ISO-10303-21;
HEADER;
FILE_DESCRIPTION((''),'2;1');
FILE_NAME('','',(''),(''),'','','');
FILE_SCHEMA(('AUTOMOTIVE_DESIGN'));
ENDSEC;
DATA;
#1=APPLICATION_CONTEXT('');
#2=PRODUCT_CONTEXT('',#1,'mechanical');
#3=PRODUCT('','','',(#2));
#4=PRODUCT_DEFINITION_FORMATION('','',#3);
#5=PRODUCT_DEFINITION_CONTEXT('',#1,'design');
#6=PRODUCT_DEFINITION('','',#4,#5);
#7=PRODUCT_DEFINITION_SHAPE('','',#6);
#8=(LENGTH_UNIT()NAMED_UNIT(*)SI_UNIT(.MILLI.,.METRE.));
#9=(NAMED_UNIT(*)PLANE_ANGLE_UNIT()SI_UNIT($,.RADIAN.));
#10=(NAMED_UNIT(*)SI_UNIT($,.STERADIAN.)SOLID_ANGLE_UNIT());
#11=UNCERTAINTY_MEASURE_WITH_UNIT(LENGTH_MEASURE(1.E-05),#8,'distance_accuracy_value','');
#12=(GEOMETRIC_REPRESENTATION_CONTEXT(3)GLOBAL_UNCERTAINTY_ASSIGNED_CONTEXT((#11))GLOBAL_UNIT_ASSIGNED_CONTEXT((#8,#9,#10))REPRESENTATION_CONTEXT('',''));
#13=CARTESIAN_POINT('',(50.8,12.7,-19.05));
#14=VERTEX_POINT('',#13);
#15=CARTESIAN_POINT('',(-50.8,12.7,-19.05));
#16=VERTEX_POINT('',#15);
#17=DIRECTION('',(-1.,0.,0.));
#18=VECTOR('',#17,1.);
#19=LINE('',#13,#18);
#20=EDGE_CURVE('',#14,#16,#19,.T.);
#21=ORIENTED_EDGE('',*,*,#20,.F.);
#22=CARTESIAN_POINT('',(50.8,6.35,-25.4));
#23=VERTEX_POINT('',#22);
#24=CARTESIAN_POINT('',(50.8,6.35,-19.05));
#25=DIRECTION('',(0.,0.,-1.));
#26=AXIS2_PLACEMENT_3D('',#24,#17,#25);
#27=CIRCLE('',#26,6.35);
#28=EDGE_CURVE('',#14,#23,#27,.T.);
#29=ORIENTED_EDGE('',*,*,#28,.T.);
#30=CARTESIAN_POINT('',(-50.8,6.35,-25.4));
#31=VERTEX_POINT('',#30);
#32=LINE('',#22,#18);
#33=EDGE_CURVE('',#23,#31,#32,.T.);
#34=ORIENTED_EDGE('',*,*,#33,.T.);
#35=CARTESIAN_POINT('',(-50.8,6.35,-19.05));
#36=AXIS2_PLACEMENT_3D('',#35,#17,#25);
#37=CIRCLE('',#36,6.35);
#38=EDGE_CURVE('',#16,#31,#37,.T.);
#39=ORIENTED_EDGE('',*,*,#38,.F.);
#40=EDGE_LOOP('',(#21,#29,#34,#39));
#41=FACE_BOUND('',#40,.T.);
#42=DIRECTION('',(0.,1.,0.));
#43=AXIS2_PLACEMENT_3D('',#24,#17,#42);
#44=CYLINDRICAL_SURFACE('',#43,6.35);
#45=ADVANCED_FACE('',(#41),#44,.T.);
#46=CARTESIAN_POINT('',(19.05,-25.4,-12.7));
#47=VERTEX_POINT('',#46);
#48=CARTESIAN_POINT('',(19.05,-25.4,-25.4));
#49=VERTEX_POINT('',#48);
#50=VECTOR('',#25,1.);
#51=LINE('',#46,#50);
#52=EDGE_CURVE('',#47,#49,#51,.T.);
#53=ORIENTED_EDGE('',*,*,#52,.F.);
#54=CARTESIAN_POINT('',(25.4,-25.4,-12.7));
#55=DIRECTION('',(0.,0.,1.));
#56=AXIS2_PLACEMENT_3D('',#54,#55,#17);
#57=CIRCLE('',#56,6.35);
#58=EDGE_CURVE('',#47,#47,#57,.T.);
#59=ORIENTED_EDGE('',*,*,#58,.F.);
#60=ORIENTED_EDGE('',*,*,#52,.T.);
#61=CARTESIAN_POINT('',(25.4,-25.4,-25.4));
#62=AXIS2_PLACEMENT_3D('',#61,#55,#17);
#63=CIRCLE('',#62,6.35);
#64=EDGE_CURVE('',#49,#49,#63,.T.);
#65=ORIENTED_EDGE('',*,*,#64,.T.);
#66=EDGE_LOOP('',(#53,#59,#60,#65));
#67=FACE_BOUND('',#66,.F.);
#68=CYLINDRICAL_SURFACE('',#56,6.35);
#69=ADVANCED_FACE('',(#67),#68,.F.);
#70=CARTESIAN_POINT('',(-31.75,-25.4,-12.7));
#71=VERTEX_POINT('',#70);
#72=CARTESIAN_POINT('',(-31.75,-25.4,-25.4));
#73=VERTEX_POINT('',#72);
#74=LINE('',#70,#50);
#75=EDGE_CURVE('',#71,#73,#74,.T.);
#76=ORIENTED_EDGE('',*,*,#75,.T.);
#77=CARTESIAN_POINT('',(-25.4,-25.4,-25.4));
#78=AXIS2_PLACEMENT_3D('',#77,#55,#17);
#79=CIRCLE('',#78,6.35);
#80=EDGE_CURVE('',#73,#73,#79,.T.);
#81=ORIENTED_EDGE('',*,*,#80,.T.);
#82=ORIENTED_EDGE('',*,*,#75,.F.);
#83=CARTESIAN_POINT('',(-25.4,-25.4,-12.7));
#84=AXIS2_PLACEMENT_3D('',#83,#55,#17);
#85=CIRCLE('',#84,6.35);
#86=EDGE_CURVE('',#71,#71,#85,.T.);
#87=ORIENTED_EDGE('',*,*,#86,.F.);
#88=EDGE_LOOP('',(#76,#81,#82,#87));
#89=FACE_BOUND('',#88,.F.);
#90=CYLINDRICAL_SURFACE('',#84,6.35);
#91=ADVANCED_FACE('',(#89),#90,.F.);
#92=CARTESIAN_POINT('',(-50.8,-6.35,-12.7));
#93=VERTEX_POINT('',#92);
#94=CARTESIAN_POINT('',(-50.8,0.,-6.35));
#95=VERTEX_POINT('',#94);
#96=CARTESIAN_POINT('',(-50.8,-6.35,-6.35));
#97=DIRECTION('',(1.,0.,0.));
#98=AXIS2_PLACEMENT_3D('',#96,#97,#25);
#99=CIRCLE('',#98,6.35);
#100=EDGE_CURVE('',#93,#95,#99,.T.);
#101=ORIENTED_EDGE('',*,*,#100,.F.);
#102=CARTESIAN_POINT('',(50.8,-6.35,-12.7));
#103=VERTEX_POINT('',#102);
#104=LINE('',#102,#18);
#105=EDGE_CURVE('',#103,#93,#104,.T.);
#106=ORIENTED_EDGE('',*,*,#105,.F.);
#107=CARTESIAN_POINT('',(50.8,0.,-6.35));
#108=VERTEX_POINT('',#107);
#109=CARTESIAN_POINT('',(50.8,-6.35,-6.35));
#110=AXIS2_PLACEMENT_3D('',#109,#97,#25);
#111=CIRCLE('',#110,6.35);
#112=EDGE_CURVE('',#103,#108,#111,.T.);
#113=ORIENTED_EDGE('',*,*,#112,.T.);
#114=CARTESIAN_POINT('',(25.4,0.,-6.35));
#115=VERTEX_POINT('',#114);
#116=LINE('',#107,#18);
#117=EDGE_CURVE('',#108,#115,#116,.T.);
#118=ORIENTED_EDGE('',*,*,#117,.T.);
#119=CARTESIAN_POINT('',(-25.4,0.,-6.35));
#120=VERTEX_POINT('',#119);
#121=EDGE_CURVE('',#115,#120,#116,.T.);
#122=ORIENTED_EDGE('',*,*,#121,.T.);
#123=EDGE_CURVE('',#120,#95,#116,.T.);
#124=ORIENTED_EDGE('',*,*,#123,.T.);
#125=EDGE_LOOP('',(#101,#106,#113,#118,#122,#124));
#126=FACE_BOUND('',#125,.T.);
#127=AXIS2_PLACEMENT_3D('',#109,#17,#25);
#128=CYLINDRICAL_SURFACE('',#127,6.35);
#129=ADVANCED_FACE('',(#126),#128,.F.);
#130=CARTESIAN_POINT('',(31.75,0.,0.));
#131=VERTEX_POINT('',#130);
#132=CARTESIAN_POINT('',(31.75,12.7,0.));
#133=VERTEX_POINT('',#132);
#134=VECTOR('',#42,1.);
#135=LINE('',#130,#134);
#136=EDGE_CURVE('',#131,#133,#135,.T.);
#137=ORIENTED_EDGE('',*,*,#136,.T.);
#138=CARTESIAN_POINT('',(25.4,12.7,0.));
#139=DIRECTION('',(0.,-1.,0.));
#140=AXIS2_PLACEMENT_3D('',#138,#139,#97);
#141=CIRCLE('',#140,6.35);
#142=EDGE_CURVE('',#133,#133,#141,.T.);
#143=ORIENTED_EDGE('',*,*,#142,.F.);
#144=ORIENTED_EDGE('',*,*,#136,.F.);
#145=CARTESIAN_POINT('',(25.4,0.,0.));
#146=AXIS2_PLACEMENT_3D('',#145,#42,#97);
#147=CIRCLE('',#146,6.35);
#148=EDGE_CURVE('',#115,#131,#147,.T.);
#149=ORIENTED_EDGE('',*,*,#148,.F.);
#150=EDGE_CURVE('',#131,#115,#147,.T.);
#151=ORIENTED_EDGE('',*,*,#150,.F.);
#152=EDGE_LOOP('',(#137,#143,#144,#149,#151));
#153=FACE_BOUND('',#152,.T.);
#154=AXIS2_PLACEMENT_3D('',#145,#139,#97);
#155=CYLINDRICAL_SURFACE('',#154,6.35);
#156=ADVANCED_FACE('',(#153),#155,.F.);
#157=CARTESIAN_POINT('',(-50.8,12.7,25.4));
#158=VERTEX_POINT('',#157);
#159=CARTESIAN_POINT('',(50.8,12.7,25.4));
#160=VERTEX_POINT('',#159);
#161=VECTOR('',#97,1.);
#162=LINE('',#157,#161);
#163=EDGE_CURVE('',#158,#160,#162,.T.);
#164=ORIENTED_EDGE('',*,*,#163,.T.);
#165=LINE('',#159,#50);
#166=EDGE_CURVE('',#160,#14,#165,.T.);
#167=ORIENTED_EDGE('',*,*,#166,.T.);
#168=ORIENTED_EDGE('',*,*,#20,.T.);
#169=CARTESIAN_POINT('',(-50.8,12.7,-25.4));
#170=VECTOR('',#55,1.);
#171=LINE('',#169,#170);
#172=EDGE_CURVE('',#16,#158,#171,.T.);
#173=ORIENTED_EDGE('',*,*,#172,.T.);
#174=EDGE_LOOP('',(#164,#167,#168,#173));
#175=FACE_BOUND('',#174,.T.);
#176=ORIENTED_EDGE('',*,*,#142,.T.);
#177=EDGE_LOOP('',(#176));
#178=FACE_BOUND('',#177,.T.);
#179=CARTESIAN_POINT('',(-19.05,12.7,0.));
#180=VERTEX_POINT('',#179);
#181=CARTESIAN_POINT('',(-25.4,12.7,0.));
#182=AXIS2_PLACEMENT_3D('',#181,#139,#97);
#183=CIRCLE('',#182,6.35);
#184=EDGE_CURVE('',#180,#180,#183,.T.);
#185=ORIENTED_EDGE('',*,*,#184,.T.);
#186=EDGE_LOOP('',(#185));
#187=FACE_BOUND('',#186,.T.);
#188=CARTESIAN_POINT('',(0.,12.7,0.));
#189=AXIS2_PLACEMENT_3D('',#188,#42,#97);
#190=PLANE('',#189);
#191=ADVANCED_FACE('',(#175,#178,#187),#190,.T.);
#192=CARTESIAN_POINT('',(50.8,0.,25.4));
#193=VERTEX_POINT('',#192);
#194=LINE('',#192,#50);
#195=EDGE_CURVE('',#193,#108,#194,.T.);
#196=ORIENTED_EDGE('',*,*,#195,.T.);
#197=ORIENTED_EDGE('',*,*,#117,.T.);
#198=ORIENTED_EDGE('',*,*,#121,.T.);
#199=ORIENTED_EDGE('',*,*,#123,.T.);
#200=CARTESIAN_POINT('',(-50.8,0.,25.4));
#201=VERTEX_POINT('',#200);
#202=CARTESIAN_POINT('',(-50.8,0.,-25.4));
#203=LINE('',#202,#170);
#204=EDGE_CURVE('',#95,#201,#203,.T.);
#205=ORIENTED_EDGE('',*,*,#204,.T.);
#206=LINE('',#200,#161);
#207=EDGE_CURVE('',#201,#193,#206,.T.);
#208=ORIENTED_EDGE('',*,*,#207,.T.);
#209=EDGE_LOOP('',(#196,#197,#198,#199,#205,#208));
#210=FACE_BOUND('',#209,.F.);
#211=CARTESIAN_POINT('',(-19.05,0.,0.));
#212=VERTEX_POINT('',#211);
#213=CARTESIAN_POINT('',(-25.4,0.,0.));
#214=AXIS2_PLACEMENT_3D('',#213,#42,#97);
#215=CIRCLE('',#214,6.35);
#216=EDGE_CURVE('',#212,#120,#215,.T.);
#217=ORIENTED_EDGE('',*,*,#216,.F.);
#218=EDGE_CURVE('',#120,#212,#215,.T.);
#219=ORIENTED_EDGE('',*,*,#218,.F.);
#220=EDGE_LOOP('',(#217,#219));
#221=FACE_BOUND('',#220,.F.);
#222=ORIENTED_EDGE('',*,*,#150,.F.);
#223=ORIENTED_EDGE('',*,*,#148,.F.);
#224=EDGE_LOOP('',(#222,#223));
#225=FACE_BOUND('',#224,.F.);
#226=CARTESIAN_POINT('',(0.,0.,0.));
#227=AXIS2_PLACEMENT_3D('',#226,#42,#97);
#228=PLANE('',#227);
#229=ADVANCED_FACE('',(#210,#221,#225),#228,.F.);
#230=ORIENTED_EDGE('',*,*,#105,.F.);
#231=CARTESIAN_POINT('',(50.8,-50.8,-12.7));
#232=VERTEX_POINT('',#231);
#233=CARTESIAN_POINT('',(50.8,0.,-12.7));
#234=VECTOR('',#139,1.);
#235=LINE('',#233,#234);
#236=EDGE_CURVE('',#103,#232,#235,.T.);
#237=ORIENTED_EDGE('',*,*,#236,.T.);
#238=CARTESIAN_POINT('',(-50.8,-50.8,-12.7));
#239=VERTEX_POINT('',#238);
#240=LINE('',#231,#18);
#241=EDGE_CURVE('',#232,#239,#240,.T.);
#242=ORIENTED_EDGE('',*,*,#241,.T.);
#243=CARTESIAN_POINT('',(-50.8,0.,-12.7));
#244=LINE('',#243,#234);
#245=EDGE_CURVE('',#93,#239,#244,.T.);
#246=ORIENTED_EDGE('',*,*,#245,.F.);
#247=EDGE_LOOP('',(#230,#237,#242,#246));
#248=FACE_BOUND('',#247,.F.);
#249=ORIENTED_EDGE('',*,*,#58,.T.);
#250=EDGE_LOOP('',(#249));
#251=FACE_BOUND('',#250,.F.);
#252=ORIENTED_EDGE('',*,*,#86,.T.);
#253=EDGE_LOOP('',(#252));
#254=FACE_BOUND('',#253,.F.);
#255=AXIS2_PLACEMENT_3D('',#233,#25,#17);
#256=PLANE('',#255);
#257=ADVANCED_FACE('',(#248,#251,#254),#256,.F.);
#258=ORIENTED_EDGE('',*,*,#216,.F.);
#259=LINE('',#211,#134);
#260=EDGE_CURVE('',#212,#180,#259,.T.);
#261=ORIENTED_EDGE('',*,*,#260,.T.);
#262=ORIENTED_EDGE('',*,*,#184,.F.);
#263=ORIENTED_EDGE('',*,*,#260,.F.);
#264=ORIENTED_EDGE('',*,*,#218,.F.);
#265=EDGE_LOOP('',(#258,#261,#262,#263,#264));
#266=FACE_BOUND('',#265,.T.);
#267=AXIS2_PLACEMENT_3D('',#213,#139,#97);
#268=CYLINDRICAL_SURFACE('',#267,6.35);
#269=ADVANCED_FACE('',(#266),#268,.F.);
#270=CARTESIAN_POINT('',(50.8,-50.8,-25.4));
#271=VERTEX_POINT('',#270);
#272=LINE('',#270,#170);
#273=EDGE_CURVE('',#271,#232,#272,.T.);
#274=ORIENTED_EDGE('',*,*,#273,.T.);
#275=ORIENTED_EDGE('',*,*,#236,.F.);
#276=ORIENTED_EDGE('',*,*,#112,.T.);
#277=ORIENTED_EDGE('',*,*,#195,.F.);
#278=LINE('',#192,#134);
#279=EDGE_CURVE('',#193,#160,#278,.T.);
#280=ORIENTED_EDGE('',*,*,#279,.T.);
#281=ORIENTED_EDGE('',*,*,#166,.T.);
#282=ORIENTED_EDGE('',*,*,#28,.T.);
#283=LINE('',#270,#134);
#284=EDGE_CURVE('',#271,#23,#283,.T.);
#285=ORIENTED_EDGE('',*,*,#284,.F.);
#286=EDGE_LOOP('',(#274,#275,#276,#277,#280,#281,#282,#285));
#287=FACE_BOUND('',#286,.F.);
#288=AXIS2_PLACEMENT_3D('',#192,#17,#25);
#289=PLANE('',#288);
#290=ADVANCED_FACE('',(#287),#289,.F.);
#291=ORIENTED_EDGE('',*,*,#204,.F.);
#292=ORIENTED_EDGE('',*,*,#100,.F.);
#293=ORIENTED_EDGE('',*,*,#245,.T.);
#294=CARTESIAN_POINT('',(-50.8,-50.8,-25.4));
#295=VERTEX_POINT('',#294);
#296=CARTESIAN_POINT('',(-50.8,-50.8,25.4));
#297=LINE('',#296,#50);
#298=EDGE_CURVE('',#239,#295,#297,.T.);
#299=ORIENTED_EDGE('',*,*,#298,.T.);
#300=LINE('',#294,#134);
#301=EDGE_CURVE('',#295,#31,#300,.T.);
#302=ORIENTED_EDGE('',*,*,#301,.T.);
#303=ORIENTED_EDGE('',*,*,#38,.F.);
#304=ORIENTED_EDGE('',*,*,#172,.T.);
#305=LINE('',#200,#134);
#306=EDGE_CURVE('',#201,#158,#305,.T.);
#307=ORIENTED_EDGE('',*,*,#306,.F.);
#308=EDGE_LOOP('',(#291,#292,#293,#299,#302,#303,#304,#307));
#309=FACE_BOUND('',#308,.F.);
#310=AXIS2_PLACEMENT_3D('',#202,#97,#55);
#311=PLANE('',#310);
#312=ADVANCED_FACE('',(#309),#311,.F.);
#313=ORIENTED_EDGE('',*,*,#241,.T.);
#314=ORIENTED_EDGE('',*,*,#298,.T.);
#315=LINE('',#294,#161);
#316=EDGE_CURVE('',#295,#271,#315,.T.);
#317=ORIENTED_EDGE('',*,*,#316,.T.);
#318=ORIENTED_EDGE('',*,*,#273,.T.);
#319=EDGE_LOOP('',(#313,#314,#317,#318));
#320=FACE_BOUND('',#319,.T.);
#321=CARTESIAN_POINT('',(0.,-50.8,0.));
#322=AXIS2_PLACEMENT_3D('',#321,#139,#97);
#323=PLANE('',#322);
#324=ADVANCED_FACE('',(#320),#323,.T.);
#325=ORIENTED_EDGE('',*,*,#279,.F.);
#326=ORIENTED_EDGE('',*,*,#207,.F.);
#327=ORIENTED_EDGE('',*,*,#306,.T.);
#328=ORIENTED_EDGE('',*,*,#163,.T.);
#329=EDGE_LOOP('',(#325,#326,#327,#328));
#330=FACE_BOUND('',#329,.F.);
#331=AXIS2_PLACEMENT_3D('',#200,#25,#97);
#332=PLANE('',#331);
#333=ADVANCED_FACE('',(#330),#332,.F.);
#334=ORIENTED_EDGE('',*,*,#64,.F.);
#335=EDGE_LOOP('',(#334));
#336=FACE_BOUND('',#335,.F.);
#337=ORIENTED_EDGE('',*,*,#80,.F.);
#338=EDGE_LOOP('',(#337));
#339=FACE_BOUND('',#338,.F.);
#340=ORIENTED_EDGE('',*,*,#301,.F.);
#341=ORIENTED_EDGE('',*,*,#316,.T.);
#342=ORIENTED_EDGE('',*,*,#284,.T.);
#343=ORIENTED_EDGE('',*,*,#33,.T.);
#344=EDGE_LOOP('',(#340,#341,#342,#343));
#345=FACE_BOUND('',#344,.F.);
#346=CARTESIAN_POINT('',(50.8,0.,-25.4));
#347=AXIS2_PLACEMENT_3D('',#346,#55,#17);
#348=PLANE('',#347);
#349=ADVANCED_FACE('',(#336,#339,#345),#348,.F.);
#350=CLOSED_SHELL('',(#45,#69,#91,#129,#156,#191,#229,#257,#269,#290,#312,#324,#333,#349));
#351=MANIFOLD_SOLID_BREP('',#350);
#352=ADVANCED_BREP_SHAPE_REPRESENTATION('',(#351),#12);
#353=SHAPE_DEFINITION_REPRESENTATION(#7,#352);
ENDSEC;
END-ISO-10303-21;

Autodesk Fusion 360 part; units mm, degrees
sketch "Sketch1" plane through (0, 0, 0) normal (0, 1, 0) x (1, 0, 0)
  line L0 (50.8, 25.4) -> (-50.8, 25.4)
  line L1 (-50.8, 25.4) -> (-50.8, -25.4)
  line L2 (-50.8, -25.4) -> (50.8, -25.4)
  line L3 (50.8, -25.4) -> (50.8, 25.4)
  line L4 (0, 0) -> (25.4, 0) construction
  line L5 (0, 0) -> (-25.4, 0) construction
  circle A0 centre (-25.4, 0) radius 6.35
  circle A1 centre (25.4, 0) radius 6.35
  dimension "d3" = 101.6
  dimension "d4" = 50.8
  dimension "d5" = 25.4
  dimension "d7" = 12.7
  dimension "d8" = 12.7
extrude "Extrude1" add sketch "Sketch1" along normal blind 12.7 makes body 1
sketch "Sketch2" plane through (0, 0, 0) normal (0, -1, 0) x (1, 0, 0)
  circle A0 centre (-25.4, 0) radius 6.35
  circle A1 centre (25.4, 0) radius 6.35
  line L0 (50.8, -25.4) -> (50.8, 25.4)
  line L1 (50.8, 25.4) -> (-50.8, 25.4)
  line L2 (-50.8, 25.4) -> (-50.8, -25.4)
  line L3 (-50.8, -25.4) -> (50.8, -25.4)
  line L4 (-50.8, -25.4) -> (50.8, -25.4)
  line L5 (50.8, -25.4) -> (50.8, -12.7)
  line L6 (50.8, -12.7) -> (-50.8, -12.7)
  line L7 (-50.8, -12.7) -> (-50.8, -25.4)
  dimension "d11" = 101.6
  dimension "d12" = 12.7
extrude "Extrude2" add sketch "Sketch2" along normal blind 50.8 contours L0 L2 L3 L4 L5 L6 L7 bodies 1
sketch "Sketch3" plane through (0, 0, -12.7) normal (0, 0, 1) x (-1, 0, 0)
  line L0 (-50.8, 0) -> (50.8, 0)
  line L1 (50.8, 0) -> (50.8, 50.8)
  line L2 (50.8, 50.8) -> (-50.8, 50.8)
  line L3 (-50.8, 50.8) -> (-50.8, 0)
  line L4 (0, 0) -> (0, 50.8) construction
  line L5 (0, 25.4) -> (-25.4, 25.4) construction
  line L6 (0, 25.4) -> (25.4, 25.4) construction
  circle A0 centre (25.4, 25.4) radius 6.35
  circle A1 centre (-25.4, 25.4) radius 6.35
  dimension "d15" = 25.4
  dimension "d16" = 25.4
  dimension "d17" = 12.7
  dimension "d18" = 12.7
extrude "Extrude3" cut sketch "Sketch3" against normal blind 43.18 contours A0 | A1 bodies 1
fillet "Fillet1" radius 6.35 2 edges at (0, 0, -12.7) (0, 12.7, -25.4) on bodies 1
copy_body "Body->Comp1" bodies 1 removing the originals makes body 2 in component "Clamp/Mount Bracket"
component "Clamp/Mount Bracket" placed x (1, 0, 0) y (0, 1, 0) z (0, 0, 1) at (0, 0, 0)
equation "d7 = ( 1 / 2 ) * 1 in"
equation "d8 = ( 1 / 2 ) * 1 in"
equation "d9 = ( 1 / 2 ) * 1 in"
equation "d17 = ( 1 / 2 ) * 1 in"
equation "d18 = ( 1 / 2 ) * 1 in"
equation "d22 = ( 1 / 4 ) * 1 in"
